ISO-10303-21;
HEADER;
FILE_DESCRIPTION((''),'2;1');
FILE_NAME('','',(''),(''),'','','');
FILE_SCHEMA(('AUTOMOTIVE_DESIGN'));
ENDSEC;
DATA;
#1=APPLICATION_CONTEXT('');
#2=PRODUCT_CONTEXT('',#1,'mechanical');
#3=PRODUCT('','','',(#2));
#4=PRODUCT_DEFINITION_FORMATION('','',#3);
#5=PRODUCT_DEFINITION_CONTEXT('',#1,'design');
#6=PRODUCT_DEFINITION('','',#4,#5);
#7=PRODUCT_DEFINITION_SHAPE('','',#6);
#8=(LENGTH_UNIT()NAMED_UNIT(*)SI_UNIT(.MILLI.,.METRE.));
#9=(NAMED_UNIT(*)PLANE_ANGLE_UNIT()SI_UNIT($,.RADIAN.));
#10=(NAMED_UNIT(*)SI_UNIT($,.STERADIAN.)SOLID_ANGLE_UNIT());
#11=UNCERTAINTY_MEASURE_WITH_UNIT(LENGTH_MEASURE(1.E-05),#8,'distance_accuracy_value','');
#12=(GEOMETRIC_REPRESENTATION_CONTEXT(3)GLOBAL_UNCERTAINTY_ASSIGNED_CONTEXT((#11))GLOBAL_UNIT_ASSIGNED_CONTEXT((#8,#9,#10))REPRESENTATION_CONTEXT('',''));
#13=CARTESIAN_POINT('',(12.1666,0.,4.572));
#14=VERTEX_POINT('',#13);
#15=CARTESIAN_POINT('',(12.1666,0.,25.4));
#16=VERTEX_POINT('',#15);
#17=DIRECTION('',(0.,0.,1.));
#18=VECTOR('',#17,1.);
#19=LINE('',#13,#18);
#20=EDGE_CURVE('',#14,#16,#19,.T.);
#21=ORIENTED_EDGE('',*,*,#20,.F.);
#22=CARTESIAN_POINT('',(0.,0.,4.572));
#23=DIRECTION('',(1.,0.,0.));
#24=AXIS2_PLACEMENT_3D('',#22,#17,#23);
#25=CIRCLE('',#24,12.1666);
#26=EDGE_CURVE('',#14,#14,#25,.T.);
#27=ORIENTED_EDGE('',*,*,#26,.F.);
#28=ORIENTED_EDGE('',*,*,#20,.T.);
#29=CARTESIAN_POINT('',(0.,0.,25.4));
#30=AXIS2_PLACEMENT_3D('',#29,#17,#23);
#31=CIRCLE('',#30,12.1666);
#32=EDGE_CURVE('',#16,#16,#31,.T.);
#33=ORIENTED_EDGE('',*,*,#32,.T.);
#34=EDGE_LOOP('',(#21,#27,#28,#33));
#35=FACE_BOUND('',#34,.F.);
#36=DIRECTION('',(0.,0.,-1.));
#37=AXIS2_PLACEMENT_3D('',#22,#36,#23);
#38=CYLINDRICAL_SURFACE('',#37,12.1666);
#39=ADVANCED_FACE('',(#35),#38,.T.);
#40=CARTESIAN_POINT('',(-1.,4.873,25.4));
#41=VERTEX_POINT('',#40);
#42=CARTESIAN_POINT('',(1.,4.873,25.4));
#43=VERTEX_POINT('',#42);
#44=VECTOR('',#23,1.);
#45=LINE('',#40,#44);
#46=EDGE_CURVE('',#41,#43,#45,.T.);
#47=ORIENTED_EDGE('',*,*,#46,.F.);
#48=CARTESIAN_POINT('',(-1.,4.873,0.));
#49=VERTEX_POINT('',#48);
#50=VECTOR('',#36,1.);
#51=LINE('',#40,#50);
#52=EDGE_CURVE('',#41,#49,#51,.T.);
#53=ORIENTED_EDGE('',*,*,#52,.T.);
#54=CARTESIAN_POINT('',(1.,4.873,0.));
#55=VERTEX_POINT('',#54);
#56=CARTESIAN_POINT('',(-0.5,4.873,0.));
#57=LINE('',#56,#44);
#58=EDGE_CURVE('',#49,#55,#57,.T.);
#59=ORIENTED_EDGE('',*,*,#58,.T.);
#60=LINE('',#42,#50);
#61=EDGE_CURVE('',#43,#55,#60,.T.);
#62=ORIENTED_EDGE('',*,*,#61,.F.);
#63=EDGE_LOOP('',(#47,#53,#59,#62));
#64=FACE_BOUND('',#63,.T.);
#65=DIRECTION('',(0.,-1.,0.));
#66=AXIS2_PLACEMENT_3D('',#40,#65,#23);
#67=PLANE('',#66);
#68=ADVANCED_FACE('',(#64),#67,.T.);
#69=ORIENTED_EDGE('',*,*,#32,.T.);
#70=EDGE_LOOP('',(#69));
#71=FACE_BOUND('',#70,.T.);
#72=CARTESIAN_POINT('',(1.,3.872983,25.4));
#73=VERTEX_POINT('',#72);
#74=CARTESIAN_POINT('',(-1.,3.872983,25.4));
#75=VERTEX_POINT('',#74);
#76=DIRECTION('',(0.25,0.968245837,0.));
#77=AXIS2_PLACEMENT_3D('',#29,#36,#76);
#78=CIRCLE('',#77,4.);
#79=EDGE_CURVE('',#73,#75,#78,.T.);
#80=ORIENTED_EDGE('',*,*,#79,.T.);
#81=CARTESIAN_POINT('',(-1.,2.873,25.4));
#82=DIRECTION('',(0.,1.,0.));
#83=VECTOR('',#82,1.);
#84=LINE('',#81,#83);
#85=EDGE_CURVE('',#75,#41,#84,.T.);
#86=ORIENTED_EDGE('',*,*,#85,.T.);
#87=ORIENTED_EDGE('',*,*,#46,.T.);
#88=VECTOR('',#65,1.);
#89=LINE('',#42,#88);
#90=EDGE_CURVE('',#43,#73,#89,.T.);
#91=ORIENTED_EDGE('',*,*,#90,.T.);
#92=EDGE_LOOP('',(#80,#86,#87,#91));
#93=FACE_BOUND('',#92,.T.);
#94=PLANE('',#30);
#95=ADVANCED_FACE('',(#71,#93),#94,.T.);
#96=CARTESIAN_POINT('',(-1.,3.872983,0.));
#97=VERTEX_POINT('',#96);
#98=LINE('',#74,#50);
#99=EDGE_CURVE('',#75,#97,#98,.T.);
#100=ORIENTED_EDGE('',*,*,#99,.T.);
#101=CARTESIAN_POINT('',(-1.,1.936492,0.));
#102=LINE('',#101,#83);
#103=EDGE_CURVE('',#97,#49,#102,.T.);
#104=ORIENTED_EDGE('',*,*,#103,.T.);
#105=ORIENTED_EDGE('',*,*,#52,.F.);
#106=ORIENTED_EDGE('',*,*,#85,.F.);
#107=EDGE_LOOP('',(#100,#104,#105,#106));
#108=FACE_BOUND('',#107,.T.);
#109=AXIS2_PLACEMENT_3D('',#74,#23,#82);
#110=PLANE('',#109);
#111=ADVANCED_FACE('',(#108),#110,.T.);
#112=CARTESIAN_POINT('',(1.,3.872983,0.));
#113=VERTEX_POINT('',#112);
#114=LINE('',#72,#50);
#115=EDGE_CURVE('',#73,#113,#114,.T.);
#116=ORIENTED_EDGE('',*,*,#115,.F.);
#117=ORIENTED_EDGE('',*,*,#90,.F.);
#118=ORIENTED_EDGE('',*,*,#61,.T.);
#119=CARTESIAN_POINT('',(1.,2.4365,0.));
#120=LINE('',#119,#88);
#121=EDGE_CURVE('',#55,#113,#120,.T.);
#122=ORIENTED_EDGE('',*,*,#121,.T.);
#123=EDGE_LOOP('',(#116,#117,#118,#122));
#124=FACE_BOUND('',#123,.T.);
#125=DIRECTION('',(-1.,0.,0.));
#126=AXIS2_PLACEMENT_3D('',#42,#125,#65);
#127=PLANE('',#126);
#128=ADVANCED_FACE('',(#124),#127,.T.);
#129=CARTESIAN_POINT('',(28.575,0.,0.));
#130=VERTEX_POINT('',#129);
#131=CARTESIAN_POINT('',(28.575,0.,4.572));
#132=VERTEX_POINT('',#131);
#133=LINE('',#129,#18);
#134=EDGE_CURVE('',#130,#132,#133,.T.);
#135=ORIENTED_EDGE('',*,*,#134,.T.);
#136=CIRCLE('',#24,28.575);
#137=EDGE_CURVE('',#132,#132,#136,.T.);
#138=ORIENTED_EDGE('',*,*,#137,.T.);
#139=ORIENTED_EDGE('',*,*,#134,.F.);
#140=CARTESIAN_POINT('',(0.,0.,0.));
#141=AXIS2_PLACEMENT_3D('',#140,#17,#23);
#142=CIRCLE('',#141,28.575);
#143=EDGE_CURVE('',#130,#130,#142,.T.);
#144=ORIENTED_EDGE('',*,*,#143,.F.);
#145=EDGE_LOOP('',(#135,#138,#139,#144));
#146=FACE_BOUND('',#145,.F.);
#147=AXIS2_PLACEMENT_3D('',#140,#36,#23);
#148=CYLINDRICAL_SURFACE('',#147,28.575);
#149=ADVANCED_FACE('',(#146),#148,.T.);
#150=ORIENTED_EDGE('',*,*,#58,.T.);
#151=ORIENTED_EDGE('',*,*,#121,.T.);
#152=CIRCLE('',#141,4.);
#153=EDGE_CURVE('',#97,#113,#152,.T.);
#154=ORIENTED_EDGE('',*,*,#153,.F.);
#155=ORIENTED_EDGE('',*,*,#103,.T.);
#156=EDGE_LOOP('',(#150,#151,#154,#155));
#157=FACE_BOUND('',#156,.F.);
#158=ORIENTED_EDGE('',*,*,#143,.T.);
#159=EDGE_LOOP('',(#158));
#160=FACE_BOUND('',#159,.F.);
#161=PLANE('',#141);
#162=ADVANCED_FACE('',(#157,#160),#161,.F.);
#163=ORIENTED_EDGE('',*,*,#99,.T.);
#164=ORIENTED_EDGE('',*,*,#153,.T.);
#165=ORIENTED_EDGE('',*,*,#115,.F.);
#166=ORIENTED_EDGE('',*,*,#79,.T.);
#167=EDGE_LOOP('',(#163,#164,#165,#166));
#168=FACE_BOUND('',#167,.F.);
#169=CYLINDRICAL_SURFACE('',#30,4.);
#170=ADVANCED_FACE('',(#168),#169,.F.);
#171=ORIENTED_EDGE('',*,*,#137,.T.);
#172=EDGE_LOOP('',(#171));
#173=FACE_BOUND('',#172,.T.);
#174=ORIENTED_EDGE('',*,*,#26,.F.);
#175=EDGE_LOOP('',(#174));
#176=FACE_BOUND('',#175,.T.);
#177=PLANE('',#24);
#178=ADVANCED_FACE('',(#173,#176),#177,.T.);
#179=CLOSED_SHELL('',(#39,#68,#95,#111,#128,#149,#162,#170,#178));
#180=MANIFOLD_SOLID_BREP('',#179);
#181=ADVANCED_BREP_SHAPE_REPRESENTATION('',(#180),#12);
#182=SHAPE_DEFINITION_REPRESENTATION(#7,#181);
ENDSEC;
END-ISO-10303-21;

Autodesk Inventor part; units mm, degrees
ref_plane "YZ Plane" through (0, 0, 0) normal (1, 0, 0) x (0, 1, 0)
ref_plane "XZ Plane" through (0, 0, 0) normal (0, 1, 0) x (-1, 0, 0)
ref_plane "XY Plane" through (0, 0, 0) normal (0, 0, 1) x (1, 0, 0)
sketch "Sketch1" plane through (0, 0, 0) normal (0, 0, 1) x (1, 0, 0)
  circle A0 centre (0, 0) radius 28.575
  dimension "d0" = 57.15
extrude "Extrusion1" add sketch "Sketch1" along normal blind 4.572
sketch "Sketch2" plane through (0, 0, 4.572) normal (0, 0, 1) x (1, 0, 0)
  circle A0 centre (0, 0) radius 28.575 projected
  circle A1 centre (0, 0) radius 12.1666
  dimension "d3" = 24.3332
extrude "Extrusion2" add sketch "Sketch2" along normal blind 20.828 contours A1
sketch "Sketch3" plane through (0, 0, 25.4) normal (0, 0, 1) x (1, 0, 0)
  circle A0 centre (0, 0) radius 12.1666 projected
  circle A1 centre (0, 0) radius 4
  line L0 (-1, 4.873) -> (1, 4.873)
  line L1 (1, 4.873) -> (1, 2.873)
  line L2 (1, 2.873) -> (-1, 2.873)
  line L3 (-1, 2.873) -> (-1, 4.873)
  point P0 (0, 4.873)
  point P1 (-1, 3.873)
  dimension "d6" = 8
  dimension "d7" = 2
  dimension "d8" = 2
extrude "Extrusion3" cut sketch "Sketch3" against normal through all contours A1 L3 L2 L1 | L1 L2 L3 A1 | A1 L3 L0 L1
properties part number "Hub 8mm key"
